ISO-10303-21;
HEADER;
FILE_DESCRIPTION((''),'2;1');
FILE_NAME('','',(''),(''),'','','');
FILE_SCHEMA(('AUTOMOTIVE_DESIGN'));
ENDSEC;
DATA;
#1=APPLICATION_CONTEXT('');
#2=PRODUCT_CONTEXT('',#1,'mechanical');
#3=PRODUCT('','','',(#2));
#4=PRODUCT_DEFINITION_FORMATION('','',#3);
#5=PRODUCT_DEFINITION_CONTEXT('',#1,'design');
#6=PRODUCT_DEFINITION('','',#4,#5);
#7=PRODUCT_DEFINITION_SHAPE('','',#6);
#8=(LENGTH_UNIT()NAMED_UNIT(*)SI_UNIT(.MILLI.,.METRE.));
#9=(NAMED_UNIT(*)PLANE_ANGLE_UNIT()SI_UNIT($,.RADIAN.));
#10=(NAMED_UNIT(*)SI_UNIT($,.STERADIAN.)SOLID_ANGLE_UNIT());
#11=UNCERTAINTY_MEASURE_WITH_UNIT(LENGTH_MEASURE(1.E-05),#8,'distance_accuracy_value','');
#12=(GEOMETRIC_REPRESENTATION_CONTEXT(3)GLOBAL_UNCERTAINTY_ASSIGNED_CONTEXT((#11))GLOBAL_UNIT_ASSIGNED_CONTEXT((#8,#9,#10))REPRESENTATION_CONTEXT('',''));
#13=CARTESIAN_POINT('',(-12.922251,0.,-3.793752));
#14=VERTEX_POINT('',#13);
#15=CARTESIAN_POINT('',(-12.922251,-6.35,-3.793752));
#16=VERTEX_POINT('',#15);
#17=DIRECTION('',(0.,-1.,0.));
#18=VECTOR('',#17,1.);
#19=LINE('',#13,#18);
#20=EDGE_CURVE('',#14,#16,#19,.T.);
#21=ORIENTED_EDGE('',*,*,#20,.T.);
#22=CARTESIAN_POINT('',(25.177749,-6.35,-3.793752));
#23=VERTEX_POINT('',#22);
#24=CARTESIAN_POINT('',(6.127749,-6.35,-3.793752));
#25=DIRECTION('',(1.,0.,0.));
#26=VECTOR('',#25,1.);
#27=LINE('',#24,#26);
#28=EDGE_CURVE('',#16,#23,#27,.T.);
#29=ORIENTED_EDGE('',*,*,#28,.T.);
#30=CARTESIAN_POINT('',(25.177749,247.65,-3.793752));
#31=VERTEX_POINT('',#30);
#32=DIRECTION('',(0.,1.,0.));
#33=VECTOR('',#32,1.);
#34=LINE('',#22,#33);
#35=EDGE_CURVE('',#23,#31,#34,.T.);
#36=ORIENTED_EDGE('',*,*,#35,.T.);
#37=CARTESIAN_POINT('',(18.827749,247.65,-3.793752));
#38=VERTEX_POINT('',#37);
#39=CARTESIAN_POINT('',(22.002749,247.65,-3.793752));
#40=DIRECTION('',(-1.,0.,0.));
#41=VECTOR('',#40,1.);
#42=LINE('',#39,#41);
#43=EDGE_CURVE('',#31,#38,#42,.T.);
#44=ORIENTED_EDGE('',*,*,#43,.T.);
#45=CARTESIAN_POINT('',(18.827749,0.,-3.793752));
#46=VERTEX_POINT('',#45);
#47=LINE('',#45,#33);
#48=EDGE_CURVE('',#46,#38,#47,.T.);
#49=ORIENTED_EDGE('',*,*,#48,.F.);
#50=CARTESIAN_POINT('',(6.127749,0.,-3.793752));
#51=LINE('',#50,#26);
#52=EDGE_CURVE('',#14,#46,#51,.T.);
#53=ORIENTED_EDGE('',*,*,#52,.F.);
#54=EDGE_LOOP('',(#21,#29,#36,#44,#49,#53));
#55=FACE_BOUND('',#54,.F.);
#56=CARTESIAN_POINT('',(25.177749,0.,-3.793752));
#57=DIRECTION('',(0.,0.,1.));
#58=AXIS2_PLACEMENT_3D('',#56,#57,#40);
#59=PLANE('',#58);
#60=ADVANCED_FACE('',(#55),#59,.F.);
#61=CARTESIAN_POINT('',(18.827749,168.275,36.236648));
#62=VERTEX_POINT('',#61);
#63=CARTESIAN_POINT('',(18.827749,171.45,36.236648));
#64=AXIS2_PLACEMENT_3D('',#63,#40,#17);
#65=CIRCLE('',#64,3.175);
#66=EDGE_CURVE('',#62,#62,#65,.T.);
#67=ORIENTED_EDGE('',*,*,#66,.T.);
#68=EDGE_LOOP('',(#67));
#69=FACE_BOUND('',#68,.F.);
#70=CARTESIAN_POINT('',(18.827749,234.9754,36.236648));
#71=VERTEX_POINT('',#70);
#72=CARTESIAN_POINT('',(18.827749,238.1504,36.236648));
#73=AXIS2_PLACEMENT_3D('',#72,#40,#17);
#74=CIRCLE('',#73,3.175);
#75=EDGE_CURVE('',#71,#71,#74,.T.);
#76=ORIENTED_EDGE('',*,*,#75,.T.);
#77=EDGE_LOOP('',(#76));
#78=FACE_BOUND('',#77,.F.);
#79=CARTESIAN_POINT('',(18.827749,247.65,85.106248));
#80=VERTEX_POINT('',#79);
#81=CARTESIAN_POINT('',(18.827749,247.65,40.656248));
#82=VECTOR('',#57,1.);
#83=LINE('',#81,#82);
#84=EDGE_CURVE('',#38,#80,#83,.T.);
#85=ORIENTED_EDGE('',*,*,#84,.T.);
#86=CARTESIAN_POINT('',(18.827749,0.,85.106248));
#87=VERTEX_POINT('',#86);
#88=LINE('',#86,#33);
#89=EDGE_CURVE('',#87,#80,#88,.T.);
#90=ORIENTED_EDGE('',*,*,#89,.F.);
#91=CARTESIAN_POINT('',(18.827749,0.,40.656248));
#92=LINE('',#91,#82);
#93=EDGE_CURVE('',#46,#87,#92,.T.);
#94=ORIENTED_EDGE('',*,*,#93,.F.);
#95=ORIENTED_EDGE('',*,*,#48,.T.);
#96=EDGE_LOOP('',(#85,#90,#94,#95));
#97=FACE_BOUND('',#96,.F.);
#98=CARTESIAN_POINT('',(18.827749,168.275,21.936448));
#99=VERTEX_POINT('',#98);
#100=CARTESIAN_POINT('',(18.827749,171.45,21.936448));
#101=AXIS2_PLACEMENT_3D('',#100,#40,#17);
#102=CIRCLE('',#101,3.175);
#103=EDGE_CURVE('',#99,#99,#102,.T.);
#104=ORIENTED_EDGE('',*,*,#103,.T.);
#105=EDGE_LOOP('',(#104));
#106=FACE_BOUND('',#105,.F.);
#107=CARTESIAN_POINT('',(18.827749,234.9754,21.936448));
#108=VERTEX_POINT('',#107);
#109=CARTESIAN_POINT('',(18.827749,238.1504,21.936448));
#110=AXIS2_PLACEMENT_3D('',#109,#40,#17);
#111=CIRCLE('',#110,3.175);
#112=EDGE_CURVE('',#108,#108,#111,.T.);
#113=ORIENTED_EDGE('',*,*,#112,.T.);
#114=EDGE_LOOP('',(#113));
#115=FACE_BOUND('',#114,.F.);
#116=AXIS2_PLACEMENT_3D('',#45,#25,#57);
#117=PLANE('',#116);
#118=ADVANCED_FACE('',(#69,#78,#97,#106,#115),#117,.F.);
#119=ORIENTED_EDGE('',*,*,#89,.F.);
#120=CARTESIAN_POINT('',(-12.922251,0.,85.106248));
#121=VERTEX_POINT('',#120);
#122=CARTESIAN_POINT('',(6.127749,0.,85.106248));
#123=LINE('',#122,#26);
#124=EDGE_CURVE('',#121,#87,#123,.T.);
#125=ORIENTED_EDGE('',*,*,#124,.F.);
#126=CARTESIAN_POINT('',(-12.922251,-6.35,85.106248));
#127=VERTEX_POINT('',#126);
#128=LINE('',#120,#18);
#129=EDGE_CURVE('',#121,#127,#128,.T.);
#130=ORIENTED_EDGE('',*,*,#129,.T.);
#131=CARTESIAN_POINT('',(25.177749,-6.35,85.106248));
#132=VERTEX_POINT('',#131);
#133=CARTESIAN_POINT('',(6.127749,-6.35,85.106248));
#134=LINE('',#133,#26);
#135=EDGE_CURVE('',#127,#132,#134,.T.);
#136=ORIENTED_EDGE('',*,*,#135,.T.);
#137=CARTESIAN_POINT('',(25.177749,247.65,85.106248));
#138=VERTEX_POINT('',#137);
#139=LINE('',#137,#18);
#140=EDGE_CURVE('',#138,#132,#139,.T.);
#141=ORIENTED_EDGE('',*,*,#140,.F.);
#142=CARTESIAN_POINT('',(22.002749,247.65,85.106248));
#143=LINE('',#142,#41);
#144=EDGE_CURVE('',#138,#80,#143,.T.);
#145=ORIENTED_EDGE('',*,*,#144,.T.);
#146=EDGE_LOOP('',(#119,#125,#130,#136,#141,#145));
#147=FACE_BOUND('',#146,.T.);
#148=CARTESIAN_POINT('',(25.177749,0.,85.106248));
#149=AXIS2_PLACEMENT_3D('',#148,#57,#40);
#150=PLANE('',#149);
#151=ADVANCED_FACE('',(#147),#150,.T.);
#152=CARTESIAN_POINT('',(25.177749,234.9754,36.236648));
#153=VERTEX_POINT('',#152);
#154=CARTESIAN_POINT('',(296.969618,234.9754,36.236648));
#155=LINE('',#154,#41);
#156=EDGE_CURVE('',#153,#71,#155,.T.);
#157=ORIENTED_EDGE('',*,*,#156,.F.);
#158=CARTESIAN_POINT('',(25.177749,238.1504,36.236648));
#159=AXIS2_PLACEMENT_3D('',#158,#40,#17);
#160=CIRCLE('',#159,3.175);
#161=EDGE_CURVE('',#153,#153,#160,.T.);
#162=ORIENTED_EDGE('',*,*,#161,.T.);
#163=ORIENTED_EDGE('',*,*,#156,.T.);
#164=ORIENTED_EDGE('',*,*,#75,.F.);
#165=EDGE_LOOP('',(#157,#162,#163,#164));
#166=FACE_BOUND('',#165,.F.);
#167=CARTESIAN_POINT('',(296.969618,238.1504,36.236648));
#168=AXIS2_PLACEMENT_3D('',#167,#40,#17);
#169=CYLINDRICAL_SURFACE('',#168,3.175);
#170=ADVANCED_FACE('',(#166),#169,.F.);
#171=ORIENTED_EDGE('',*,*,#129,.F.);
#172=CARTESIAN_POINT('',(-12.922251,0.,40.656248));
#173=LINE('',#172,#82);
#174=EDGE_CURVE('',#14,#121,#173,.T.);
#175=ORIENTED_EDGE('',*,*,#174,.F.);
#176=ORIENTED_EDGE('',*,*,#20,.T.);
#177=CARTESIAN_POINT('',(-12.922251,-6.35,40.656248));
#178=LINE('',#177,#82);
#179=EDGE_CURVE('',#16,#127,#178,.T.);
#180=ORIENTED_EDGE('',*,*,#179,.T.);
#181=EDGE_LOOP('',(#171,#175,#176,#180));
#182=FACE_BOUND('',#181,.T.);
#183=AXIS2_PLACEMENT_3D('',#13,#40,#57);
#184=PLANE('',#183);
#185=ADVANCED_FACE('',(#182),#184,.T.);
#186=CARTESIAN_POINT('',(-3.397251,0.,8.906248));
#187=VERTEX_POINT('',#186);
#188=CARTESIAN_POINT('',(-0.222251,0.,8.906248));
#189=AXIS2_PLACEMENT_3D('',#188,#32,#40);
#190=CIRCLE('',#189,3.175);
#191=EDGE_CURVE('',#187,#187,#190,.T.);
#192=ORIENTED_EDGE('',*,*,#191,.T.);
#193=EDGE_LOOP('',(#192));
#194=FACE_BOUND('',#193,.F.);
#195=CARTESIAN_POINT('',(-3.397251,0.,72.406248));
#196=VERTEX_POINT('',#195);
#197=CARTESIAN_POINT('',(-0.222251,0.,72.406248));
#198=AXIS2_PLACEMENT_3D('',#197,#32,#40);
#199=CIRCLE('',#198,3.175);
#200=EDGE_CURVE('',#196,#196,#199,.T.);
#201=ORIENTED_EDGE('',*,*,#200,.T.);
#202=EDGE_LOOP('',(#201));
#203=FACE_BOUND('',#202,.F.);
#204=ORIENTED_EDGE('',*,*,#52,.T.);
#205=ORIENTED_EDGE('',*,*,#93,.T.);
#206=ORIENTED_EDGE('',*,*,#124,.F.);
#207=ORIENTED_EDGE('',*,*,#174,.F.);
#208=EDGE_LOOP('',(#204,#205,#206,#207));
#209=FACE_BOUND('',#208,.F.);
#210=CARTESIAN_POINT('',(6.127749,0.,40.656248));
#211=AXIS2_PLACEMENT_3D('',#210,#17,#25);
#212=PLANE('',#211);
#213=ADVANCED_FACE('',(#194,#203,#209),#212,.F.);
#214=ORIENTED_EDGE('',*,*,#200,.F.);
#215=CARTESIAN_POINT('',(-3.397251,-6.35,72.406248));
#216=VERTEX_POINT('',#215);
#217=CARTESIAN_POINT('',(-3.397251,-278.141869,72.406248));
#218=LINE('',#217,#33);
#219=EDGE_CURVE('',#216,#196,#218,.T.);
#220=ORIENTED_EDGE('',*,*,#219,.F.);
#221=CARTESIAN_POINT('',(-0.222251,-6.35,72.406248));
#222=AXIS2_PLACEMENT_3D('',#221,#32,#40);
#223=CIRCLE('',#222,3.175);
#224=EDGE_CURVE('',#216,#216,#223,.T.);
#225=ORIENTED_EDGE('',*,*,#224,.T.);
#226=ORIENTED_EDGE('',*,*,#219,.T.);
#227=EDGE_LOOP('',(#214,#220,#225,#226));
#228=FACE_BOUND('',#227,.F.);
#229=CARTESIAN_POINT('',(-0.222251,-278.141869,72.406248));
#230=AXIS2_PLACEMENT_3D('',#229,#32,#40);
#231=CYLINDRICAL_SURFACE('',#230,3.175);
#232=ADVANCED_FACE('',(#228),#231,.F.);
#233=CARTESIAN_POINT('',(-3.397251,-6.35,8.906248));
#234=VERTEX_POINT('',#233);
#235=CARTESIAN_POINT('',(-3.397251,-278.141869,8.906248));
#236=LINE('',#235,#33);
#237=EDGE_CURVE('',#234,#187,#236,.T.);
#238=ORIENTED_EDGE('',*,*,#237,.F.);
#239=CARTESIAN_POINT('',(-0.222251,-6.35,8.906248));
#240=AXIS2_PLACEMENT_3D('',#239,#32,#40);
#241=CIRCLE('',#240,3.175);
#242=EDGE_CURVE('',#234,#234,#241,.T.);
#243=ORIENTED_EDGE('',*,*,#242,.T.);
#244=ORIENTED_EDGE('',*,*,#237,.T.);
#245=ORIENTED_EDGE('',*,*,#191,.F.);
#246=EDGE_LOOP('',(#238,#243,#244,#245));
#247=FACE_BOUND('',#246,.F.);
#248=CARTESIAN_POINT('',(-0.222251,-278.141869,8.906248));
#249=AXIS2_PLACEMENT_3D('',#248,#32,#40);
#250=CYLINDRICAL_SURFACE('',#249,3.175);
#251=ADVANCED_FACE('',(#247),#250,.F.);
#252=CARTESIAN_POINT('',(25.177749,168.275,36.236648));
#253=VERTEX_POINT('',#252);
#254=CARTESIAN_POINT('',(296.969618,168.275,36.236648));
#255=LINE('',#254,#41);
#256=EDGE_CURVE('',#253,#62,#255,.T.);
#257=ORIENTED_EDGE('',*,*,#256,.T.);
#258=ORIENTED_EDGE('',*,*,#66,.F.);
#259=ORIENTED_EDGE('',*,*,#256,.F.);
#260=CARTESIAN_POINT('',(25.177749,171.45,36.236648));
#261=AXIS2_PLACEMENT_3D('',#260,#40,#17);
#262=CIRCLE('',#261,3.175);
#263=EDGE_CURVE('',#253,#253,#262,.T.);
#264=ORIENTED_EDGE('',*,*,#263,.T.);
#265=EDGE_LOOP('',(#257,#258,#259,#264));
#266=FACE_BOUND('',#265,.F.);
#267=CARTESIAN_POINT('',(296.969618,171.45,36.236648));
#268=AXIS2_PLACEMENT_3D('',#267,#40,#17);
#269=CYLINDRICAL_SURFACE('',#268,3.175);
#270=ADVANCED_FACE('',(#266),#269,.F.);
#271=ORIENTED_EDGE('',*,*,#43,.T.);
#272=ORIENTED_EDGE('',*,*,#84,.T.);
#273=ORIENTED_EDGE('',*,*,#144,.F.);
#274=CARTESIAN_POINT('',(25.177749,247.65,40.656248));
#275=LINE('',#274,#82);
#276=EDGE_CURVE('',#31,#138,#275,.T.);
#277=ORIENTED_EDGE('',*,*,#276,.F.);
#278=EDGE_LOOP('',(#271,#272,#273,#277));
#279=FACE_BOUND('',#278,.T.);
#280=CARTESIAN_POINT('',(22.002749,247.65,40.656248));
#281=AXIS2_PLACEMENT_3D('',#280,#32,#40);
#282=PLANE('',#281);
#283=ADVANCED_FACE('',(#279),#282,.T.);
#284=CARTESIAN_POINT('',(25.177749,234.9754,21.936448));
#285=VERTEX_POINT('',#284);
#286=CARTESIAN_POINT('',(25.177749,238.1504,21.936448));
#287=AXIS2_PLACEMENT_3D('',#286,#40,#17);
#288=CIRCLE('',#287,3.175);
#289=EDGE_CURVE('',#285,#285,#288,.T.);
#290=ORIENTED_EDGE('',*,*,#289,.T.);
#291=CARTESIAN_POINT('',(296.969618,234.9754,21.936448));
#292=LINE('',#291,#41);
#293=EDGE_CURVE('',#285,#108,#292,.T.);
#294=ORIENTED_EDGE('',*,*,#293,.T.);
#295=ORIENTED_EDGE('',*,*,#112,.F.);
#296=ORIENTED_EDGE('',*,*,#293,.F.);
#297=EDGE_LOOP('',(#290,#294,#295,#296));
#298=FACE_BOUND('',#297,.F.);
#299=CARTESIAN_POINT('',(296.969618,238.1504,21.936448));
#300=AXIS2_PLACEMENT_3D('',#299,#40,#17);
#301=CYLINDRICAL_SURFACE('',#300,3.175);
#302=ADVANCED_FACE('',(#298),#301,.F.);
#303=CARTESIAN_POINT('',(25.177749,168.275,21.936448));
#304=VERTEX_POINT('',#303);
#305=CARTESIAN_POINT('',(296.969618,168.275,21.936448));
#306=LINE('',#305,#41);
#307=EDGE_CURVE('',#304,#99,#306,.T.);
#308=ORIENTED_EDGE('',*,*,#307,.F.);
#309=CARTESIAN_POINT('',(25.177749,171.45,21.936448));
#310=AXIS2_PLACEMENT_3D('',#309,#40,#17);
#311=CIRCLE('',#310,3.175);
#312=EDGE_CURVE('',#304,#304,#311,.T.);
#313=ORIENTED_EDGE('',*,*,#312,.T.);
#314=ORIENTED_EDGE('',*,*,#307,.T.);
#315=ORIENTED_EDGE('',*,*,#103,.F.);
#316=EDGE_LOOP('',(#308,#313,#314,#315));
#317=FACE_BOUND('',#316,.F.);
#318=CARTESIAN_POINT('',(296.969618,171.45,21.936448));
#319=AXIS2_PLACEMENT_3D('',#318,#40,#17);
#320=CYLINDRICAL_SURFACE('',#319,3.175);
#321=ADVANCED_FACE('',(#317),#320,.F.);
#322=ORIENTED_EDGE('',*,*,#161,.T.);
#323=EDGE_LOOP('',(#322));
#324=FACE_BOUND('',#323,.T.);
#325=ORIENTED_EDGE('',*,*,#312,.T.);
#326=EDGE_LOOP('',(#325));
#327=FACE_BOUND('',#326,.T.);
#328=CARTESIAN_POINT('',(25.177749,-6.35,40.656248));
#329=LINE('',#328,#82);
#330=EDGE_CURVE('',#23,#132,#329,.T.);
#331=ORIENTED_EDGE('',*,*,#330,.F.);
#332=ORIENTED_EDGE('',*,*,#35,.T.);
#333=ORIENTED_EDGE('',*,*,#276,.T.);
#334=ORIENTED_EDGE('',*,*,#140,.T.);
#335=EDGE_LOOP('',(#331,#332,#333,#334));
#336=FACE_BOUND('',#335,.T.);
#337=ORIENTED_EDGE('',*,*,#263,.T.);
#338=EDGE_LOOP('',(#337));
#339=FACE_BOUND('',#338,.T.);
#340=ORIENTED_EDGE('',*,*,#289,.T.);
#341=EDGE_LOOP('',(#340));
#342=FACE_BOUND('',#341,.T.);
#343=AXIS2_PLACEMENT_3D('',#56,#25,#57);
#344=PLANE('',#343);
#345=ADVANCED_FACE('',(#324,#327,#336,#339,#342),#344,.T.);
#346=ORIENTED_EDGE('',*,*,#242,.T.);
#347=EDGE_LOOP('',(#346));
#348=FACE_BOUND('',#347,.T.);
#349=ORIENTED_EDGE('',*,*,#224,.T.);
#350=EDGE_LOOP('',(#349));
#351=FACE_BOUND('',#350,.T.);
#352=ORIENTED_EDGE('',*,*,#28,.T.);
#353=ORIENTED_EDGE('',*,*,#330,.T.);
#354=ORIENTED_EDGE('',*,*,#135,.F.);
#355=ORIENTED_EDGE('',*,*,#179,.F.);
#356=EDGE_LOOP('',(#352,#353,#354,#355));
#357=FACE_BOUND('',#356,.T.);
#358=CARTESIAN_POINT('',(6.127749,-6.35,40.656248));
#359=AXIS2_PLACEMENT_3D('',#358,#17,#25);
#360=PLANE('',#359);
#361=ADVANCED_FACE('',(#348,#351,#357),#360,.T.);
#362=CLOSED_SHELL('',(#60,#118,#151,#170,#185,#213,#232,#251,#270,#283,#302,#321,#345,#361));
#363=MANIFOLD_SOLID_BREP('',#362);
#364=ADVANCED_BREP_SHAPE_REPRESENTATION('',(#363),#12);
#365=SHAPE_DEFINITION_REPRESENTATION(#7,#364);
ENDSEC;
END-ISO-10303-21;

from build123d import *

# Parameters (mm, degrees)
F0_W     = 38.1
F0_H     = 88.9
F1_DEPTH = 6.35
F2_W     = 6.35
F2_H     = 88.9
F3_DEPTH = 247.65
F5_D     = 6.35
F7_D     = 6.35


with BuildPart() as f1:
    # F0 (on Front) → F1 (new body)
    with BuildSketch(Plane.XZ):
        with Locations((6.127749, 40.656248)):
            Rectangle(F0_W, F0_H)
    extrude(amount=F1_DEPTH)

    # F2 (on face) → F3 (join)
    with BuildSketch(Plane(origin=(0, 0, 0), x_dir=(-1, 0, 0), z_dir=(0, 1, 0))):
        with Locations((-22.002749, 40.656248)):
            Rectangle(F2_W, F2_H)
    extrude(amount=F3_DEPTH)

    # F5 (through all)
    with Locations(Plane.XZ.offset(6.35)):
        with Locations((-0.222251, 72.406248), (-0.222251, 8.906248)):
            Hole(F5_D / 2)

    # F7 (through all)
    with Locations(Plane.YZ.offset(25.177749)):
        with Locations((171.45, 36.236648), (171.45, 21.936448), (238.1504, 21.936448), (238.1504, 36.236648)):
            Hole(F7_D / 2)


solid = f1.part
